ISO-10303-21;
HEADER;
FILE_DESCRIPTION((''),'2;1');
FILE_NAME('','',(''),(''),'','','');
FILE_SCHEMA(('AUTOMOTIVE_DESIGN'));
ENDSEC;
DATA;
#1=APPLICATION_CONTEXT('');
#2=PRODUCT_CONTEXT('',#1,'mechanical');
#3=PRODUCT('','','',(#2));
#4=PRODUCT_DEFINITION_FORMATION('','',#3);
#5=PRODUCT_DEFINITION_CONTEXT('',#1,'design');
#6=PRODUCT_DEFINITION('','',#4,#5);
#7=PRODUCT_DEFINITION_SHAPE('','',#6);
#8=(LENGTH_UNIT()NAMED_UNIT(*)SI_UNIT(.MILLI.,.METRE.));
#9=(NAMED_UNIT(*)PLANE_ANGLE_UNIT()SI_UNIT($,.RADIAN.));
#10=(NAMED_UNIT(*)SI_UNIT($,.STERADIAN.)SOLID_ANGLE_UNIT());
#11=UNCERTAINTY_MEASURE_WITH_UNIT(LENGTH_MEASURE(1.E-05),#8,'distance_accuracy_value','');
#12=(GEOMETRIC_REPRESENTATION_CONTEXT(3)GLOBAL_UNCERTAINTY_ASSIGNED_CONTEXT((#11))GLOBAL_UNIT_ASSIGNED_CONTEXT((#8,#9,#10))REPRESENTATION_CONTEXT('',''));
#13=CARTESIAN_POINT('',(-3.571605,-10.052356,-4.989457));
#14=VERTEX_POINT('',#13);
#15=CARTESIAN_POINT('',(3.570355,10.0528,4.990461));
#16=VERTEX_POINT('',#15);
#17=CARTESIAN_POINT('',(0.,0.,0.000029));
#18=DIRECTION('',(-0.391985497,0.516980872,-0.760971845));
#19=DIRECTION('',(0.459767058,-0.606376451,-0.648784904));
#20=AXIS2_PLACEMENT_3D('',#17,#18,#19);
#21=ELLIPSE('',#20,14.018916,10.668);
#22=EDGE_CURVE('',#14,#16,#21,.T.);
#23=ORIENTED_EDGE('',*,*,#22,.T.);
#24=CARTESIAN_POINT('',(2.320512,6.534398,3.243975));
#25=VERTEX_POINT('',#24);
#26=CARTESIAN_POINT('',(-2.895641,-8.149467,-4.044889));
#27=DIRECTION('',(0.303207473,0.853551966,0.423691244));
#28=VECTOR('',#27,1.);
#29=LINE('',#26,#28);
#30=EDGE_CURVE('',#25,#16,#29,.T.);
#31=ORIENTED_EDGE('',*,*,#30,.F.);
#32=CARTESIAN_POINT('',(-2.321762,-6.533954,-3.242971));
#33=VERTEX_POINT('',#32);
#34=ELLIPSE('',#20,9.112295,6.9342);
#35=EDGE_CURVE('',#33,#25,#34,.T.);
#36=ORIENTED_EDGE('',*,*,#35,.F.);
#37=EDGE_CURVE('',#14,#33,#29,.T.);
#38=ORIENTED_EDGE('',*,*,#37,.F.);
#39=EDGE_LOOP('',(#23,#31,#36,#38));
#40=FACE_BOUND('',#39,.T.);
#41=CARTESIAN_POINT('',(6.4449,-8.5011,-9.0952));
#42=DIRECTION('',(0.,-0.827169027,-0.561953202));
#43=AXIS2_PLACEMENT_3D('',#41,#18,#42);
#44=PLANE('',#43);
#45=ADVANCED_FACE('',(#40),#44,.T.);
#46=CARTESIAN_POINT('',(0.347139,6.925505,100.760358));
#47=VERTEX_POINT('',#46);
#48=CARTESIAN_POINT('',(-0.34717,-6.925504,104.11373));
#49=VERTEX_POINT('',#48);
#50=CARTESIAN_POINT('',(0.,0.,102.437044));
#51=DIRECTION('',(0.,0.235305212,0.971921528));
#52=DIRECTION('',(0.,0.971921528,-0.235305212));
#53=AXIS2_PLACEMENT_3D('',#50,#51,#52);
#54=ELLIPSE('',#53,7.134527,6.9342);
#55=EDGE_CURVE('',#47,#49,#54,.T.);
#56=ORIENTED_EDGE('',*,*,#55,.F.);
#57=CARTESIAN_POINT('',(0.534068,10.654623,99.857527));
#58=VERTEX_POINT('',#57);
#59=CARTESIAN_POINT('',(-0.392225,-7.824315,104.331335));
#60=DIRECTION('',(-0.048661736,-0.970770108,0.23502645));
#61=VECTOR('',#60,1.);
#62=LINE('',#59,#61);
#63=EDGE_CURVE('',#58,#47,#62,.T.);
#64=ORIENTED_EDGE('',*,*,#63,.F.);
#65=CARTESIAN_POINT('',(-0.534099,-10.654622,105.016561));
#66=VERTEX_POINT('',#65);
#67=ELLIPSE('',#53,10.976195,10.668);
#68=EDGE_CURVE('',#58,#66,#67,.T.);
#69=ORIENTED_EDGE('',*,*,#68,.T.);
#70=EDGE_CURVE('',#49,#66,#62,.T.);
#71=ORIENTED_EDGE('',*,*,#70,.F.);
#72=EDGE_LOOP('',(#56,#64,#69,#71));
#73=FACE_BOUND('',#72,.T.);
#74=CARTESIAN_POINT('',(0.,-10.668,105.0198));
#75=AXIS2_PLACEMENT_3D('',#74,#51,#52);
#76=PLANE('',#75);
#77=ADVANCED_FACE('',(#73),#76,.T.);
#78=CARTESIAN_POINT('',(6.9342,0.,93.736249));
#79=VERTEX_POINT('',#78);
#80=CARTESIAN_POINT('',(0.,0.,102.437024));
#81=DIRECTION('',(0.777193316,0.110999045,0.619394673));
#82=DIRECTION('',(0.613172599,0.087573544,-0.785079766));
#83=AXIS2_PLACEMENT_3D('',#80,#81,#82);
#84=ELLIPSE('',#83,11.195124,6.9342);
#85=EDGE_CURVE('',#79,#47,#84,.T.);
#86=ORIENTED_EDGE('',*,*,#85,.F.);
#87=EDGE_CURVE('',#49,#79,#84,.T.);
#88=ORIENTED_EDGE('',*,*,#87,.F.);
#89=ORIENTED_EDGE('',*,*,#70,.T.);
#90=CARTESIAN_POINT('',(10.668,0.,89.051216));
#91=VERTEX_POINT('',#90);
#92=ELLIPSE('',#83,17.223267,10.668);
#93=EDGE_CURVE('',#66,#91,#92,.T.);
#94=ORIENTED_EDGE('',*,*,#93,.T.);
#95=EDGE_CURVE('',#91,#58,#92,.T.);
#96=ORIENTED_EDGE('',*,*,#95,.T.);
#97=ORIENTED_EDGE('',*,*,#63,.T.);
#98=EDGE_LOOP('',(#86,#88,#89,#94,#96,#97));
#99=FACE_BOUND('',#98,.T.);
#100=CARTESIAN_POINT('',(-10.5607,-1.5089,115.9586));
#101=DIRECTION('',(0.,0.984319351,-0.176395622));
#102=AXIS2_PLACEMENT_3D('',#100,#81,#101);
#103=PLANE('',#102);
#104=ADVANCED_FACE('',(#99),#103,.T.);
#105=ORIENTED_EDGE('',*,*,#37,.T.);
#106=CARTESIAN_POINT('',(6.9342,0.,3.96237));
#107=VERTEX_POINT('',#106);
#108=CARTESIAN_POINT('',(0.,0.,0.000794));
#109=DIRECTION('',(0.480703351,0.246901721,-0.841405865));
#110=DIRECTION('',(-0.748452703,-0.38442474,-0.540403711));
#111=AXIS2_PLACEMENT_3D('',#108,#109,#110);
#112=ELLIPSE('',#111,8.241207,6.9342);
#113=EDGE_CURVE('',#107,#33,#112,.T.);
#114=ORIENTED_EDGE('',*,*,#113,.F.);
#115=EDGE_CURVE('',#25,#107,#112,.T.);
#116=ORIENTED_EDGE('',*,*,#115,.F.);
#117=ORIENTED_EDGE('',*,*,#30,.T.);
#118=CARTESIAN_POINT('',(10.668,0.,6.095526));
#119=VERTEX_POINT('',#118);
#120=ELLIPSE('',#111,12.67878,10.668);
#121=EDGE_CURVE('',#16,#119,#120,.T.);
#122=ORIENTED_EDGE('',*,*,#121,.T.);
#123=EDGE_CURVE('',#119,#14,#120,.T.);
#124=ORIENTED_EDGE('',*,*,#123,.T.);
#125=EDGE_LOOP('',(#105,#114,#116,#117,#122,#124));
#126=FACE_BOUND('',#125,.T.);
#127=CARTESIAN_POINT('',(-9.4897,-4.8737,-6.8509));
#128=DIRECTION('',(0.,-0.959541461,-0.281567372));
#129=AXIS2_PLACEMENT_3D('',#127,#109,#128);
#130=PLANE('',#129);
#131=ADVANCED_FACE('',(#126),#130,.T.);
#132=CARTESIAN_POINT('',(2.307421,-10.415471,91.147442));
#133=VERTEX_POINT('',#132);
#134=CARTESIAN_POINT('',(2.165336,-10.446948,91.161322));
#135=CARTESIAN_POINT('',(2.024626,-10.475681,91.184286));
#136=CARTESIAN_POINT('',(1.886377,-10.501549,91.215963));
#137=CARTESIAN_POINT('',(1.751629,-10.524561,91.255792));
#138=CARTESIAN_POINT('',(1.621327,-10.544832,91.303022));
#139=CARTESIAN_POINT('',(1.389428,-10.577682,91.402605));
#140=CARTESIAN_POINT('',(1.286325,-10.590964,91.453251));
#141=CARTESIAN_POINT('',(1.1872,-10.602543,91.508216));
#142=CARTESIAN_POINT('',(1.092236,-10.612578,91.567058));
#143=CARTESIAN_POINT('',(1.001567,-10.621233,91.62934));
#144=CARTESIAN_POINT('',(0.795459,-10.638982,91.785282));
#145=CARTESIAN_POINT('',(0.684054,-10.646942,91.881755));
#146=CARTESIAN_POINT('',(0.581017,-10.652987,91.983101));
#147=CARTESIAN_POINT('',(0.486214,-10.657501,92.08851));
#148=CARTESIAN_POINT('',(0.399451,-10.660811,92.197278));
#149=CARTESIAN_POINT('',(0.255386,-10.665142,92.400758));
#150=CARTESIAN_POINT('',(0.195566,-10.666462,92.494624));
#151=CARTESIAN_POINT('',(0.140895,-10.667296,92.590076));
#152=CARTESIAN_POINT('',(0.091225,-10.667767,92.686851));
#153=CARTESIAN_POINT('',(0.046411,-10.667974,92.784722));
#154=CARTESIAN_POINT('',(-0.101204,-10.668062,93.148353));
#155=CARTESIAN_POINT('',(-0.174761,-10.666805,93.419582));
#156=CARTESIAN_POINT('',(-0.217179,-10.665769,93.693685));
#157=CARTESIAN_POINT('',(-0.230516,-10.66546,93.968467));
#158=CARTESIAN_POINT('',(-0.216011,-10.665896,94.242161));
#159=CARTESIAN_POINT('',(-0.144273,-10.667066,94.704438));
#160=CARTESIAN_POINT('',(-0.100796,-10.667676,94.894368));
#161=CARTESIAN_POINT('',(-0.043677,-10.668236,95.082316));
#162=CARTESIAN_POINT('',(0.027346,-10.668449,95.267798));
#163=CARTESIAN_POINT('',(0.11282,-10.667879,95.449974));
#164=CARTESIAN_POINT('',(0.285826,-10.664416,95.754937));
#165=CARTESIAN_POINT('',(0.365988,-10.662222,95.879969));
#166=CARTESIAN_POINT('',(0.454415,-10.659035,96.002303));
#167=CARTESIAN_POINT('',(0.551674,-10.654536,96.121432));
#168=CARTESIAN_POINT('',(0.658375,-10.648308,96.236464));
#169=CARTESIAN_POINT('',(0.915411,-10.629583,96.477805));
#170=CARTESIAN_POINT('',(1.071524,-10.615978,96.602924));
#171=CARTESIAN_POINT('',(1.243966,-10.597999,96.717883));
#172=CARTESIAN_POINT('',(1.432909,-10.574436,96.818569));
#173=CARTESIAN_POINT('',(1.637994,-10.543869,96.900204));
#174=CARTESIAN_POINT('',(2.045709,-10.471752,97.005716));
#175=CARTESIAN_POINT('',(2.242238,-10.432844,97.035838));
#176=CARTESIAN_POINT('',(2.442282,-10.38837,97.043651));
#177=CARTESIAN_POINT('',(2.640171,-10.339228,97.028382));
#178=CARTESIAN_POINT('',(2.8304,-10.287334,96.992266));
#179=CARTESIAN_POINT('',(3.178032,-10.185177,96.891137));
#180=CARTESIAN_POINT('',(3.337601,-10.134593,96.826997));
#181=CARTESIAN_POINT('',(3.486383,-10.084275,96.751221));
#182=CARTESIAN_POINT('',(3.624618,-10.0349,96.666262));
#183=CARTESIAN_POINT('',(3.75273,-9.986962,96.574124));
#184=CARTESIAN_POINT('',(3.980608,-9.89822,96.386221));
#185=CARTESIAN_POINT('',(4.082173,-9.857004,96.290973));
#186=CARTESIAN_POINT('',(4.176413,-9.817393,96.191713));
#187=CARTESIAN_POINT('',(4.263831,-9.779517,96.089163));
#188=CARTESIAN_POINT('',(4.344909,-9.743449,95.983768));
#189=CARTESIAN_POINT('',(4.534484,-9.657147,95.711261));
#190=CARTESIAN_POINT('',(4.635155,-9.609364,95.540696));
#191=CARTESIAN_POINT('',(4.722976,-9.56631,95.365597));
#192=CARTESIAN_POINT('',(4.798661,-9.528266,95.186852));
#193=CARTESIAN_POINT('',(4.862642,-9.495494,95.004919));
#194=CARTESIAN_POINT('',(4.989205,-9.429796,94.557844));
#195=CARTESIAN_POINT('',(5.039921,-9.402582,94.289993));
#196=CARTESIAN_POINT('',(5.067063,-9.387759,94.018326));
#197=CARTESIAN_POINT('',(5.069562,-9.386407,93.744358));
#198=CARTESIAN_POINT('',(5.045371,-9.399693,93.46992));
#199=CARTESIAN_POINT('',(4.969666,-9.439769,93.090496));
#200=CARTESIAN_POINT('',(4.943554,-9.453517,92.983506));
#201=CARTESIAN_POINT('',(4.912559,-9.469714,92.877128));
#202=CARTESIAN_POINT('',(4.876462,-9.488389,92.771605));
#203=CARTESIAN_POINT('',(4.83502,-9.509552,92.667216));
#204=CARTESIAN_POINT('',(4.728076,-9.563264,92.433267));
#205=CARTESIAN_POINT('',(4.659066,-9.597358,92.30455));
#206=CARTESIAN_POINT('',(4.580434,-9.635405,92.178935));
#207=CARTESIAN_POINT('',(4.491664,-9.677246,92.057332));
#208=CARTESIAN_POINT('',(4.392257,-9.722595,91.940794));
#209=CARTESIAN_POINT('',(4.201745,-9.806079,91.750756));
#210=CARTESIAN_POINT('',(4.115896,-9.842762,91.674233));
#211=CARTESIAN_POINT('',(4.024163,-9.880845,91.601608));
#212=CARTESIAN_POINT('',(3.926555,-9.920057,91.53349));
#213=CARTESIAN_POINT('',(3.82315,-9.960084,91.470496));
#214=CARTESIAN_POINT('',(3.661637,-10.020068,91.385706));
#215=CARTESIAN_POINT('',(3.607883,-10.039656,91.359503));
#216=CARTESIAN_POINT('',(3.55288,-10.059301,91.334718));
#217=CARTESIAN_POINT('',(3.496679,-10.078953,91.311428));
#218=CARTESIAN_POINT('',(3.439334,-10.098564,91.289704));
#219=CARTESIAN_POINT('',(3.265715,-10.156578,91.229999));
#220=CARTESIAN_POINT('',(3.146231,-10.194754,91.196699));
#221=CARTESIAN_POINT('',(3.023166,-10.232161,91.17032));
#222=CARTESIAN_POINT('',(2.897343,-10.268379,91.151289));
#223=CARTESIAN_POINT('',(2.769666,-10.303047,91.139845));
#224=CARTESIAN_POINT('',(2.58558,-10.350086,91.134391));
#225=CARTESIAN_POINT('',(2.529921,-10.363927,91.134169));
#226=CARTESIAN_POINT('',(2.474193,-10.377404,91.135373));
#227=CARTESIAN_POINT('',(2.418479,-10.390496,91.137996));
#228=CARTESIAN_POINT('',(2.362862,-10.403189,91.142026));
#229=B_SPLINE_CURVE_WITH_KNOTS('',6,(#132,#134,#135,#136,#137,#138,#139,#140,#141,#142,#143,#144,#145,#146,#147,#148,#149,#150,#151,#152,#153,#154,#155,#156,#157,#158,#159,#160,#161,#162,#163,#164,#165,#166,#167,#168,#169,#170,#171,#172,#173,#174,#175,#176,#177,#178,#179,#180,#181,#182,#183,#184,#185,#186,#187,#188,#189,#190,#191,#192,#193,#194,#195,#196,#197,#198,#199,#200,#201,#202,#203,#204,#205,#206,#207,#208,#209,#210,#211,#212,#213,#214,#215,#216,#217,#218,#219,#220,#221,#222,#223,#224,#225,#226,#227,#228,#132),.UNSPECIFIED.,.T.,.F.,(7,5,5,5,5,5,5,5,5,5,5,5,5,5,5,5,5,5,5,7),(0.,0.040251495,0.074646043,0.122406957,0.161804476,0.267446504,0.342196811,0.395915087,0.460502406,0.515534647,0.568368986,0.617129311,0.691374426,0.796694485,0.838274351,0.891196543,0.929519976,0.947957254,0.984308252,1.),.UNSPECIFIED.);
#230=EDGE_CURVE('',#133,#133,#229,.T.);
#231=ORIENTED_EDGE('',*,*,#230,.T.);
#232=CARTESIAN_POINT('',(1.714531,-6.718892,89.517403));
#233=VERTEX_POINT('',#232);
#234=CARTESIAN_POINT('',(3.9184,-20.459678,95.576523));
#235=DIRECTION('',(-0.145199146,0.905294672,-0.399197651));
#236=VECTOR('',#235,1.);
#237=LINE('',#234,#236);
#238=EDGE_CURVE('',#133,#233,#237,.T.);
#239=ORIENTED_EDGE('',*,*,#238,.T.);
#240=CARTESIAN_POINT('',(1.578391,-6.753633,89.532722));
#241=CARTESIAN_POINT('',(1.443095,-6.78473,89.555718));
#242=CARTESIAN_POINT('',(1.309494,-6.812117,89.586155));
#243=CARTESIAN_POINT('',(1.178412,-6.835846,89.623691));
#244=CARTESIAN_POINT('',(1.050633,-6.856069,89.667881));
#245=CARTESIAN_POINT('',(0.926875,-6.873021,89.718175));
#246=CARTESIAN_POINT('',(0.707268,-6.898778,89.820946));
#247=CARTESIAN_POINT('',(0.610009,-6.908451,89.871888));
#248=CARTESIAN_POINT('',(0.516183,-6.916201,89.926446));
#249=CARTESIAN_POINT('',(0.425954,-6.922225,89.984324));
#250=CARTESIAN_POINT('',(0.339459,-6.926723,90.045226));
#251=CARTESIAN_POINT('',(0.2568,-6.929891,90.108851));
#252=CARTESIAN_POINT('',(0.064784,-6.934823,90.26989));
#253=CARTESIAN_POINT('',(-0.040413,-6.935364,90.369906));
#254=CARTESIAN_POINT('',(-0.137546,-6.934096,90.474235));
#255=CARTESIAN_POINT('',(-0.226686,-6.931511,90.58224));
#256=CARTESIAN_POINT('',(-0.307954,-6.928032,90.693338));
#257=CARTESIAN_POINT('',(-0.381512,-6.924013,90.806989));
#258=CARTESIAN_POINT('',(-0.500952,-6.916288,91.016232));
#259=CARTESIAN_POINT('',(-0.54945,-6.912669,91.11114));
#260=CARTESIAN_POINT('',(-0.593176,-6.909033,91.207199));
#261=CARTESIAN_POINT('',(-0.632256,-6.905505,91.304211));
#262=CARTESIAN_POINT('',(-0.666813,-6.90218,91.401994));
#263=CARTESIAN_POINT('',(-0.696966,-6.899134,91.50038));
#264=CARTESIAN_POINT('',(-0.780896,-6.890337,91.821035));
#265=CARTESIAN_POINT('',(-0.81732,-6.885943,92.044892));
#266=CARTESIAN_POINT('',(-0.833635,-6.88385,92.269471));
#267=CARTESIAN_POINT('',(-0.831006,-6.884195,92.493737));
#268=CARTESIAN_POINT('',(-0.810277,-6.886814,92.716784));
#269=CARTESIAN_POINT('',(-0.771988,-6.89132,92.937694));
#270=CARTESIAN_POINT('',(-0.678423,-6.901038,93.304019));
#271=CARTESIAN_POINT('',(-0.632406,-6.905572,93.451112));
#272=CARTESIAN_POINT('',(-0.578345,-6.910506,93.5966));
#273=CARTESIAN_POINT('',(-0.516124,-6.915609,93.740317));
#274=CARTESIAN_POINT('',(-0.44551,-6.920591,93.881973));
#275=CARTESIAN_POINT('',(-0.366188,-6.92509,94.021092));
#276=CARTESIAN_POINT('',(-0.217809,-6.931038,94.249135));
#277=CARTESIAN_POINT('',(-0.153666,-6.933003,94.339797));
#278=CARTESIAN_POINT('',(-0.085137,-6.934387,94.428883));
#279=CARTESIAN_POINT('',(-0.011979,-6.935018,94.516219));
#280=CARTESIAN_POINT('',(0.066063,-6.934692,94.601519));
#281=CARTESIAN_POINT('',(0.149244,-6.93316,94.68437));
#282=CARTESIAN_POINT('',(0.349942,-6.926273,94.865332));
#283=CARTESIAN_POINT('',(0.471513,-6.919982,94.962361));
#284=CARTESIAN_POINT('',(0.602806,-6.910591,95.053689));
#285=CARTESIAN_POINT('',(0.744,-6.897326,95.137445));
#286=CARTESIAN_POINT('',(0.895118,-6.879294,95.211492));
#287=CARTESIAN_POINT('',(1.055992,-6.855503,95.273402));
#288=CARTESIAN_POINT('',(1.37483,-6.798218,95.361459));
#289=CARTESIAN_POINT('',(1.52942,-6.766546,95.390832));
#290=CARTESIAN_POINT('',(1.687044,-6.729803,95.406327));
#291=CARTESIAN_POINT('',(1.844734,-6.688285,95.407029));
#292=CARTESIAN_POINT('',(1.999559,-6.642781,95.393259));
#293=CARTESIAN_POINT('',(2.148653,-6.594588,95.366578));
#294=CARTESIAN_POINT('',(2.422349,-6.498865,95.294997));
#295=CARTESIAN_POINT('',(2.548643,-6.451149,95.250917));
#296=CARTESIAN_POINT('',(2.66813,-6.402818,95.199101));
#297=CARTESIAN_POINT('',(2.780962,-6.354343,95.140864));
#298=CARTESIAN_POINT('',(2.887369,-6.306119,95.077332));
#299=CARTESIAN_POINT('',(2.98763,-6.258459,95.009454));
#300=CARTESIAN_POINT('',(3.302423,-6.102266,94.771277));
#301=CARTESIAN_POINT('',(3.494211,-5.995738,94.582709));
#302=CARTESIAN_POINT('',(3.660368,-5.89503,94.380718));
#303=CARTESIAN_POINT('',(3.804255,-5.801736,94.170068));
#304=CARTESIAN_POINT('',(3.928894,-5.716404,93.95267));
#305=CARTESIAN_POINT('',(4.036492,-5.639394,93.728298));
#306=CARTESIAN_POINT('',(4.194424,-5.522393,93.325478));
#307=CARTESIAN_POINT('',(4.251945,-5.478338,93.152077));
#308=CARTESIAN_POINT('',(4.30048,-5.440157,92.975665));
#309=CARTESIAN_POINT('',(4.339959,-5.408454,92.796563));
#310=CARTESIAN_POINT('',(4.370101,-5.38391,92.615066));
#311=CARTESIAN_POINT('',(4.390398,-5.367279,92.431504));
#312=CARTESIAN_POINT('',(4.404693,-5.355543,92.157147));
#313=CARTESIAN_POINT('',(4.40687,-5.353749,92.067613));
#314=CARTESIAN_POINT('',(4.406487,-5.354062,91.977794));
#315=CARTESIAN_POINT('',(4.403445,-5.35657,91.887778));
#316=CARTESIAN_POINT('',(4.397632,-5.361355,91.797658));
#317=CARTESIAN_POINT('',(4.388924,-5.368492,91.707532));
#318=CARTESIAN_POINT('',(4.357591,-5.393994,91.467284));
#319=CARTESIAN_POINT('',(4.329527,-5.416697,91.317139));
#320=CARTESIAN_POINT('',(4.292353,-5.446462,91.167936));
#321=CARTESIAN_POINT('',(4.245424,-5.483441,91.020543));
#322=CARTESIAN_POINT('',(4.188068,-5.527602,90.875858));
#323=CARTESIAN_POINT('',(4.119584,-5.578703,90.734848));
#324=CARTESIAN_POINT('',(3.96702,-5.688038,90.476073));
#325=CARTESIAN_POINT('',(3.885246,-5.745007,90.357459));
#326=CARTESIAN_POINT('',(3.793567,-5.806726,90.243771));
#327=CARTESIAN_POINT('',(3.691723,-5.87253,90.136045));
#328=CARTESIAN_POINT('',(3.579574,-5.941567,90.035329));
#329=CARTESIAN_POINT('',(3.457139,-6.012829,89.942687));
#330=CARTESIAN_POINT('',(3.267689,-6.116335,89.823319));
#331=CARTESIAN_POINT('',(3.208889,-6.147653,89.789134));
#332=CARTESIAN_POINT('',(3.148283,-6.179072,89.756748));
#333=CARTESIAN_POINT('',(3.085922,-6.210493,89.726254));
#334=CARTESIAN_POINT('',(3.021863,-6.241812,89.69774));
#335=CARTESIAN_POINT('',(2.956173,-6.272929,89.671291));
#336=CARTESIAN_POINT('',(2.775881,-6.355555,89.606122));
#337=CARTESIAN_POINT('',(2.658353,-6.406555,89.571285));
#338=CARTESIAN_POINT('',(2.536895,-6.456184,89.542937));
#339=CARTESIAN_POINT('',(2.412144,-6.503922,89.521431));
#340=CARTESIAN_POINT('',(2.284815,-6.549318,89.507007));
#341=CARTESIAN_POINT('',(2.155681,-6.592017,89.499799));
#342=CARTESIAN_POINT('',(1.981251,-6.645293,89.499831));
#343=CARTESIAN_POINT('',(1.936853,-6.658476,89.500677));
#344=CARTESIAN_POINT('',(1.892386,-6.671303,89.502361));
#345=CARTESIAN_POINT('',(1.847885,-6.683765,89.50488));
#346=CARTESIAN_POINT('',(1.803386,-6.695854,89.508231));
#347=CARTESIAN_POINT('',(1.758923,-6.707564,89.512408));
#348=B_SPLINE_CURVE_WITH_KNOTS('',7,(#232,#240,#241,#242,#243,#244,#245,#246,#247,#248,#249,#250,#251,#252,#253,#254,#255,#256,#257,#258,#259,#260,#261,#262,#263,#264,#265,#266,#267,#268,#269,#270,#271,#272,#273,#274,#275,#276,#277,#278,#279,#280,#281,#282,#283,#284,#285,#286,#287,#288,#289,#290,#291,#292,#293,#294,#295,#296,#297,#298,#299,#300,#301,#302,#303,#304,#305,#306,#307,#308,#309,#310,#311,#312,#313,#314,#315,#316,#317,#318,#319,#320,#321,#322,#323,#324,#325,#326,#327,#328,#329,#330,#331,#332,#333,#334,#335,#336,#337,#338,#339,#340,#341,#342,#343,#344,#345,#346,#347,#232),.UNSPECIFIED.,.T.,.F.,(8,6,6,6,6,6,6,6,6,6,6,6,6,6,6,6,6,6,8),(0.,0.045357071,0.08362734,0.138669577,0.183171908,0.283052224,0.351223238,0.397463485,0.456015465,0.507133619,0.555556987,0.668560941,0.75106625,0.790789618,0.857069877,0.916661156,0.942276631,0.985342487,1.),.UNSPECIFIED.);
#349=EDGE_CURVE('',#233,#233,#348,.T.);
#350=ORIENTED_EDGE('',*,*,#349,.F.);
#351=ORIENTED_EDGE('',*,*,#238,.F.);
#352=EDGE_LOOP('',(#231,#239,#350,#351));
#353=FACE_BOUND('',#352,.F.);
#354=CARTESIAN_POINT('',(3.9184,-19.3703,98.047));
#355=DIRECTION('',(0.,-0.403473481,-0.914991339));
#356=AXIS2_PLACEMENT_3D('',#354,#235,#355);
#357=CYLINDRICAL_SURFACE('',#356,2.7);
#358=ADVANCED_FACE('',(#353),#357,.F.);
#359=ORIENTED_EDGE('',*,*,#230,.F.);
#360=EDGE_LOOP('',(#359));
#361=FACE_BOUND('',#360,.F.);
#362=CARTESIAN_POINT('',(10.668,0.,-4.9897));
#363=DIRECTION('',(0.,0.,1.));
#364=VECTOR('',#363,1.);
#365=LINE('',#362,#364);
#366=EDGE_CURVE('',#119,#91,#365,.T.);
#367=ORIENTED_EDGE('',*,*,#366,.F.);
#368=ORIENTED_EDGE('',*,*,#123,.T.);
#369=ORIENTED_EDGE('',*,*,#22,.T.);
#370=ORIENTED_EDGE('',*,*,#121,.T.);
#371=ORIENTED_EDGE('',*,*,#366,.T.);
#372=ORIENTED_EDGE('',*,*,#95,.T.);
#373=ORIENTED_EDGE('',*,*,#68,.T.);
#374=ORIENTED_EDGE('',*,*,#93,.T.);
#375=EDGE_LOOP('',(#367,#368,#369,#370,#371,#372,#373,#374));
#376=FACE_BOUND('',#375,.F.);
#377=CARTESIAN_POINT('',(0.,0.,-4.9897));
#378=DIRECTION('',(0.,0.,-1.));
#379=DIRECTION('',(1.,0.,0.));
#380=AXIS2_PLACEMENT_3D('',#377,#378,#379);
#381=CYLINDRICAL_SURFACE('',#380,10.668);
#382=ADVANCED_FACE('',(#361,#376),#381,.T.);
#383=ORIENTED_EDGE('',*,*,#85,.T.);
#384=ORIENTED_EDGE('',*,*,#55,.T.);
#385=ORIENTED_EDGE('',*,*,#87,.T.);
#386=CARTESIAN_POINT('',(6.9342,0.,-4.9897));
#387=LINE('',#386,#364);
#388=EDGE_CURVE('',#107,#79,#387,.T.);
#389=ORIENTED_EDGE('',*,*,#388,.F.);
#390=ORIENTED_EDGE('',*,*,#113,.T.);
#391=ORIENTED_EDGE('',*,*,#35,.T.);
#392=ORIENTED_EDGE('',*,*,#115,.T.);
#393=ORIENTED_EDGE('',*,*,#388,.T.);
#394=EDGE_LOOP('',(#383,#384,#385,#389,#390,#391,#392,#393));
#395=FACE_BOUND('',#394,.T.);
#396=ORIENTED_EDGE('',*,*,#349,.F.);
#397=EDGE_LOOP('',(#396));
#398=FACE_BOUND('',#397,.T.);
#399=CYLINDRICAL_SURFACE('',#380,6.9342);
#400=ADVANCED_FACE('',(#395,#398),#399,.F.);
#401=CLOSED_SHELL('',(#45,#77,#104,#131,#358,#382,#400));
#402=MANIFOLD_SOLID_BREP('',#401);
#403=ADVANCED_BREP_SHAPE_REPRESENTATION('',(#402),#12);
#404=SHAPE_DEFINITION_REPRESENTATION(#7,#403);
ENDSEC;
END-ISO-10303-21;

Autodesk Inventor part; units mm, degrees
ref_plane "Start Plane" through (0, 0, -4.9897) normal (0, 0, 1) x (1, 0, 0)
ref_plane "End Plane" through (0, 0, 105.0166) normal (0, 0, 1) x (1, 0, 0)
sketch "Sketch" plane through (0, 0, 0) normal (0, 0, 1) x (1, 0, 0)
  circle A0 centre (0, 0) radius 6.9342
  circle A1 centre (0, 0) radius 10.668
  dimension "d0" = 21.336
  dimension "d1" = 3.7338
extrude "Body" add sketch "Sketch" along normal up to surface (110.0063 mm away) from surface at -4.9897
sketch "Sketch3" plane through (0, 0, 0) normal (0, 0, 1) x (1, 0, 0)
  line L0 (0, 0) -> (10, 0)
ref_plane "Work Plane3" through (0, 0, 0) normal (0, -1, 0) x (1, 0, 0)
sketch "Sketch4" plane through (0, 0, 0) normal (0, -1, 0) x (1, 0, 0)
  line L0 (-2, -4.9897) -> (12, -4.9897)
  line L1 (-2, 105.0166) -> (12, 105.0166)
  dimension "d7" = 110.0063
ref_plane "Work Plane4" through (-9.4897, -4.8737, -6.8509) normal (0.4807, 0.2469, -0.8414) x (-0.4571, -0.7483, -0.4807)
split "Split1" plane through (-9.4897, -4.8737, -6.8509) removes the side toward (0.4807, 0.2469, -0.8414)
ref_plane "Work Plane5" through (6.4449, -8.5011, -9.0952) normal (-0.392, 0.517, -0.761) x (0.3573, 0.8478, 0.392)
split "Split2" plane through (6.4449, -8.5011, -9.0952) removes the side toward (-0.392, 0.517, -0.761)
ref_plane "Work Plane6" through (-10.5607, -1.5089, 115.9586) normal (0.7772, 0.111, 0.6194) x (0.627, -0.0533, -0.7772)
split "Split3" plane through (-10.5607, -1.5089, 115.9586) removes the side toward (0.7772, 0.111, 0.6194)
ref_plane "Work Plane7" through (0, -10.668, 105.0198) normal (0, 0.2353, 0.9719) x (1, 0, 0)
split "Split4" plane through (0, -10.668, 105.0198) removes the side toward (0, 0.2353, 0.9719)
ref_plane "Work Plane8" through (8.1097, -2.9756, 133.7039) normal (0.1452, -0.9053, 0.3992) x (0.0697, 0.4118, 0.9086)
sketch "Sketch5" plane through (8.1097, -2.9756, 133.7039) normal (0.1452, -0.9053, 0.3992) x (0.0697, 0.4118, 0.9086)
  circle A0 centre (-39.4415, 1.4606) radius 3 projected
  point P0 (-120.8228, -8.7403)
hole "Hole1" at (3.9184, -19.3703, 98.047) direction (-0.1452, 0.9053, -0.3992) diameter 5.4 depth 20 tip angle 118
equation "\"d0\" = G_H"
equation "\"d1\" = G_T"
equation "\"d2\" = G_L"
equation "\"G_H\" = 21.336"
equation "\"G_T\" = 3.7338"
equation "\"G_L\" = 110.00626"
equation "\"G_OFFSET_START\" = 4.98966"
equation "\"G_OFFSET_END\" = 2.57893"
equation "\"d4\" = -G_OFFSET_START"
equation "\"d5\" = G_OFFSET_END + B_L"
equation "\"B_L\" = 102.43767"
properties part number "ANSI - 1/2 x 0.147 - 4.331" material "Steel, Mild"
